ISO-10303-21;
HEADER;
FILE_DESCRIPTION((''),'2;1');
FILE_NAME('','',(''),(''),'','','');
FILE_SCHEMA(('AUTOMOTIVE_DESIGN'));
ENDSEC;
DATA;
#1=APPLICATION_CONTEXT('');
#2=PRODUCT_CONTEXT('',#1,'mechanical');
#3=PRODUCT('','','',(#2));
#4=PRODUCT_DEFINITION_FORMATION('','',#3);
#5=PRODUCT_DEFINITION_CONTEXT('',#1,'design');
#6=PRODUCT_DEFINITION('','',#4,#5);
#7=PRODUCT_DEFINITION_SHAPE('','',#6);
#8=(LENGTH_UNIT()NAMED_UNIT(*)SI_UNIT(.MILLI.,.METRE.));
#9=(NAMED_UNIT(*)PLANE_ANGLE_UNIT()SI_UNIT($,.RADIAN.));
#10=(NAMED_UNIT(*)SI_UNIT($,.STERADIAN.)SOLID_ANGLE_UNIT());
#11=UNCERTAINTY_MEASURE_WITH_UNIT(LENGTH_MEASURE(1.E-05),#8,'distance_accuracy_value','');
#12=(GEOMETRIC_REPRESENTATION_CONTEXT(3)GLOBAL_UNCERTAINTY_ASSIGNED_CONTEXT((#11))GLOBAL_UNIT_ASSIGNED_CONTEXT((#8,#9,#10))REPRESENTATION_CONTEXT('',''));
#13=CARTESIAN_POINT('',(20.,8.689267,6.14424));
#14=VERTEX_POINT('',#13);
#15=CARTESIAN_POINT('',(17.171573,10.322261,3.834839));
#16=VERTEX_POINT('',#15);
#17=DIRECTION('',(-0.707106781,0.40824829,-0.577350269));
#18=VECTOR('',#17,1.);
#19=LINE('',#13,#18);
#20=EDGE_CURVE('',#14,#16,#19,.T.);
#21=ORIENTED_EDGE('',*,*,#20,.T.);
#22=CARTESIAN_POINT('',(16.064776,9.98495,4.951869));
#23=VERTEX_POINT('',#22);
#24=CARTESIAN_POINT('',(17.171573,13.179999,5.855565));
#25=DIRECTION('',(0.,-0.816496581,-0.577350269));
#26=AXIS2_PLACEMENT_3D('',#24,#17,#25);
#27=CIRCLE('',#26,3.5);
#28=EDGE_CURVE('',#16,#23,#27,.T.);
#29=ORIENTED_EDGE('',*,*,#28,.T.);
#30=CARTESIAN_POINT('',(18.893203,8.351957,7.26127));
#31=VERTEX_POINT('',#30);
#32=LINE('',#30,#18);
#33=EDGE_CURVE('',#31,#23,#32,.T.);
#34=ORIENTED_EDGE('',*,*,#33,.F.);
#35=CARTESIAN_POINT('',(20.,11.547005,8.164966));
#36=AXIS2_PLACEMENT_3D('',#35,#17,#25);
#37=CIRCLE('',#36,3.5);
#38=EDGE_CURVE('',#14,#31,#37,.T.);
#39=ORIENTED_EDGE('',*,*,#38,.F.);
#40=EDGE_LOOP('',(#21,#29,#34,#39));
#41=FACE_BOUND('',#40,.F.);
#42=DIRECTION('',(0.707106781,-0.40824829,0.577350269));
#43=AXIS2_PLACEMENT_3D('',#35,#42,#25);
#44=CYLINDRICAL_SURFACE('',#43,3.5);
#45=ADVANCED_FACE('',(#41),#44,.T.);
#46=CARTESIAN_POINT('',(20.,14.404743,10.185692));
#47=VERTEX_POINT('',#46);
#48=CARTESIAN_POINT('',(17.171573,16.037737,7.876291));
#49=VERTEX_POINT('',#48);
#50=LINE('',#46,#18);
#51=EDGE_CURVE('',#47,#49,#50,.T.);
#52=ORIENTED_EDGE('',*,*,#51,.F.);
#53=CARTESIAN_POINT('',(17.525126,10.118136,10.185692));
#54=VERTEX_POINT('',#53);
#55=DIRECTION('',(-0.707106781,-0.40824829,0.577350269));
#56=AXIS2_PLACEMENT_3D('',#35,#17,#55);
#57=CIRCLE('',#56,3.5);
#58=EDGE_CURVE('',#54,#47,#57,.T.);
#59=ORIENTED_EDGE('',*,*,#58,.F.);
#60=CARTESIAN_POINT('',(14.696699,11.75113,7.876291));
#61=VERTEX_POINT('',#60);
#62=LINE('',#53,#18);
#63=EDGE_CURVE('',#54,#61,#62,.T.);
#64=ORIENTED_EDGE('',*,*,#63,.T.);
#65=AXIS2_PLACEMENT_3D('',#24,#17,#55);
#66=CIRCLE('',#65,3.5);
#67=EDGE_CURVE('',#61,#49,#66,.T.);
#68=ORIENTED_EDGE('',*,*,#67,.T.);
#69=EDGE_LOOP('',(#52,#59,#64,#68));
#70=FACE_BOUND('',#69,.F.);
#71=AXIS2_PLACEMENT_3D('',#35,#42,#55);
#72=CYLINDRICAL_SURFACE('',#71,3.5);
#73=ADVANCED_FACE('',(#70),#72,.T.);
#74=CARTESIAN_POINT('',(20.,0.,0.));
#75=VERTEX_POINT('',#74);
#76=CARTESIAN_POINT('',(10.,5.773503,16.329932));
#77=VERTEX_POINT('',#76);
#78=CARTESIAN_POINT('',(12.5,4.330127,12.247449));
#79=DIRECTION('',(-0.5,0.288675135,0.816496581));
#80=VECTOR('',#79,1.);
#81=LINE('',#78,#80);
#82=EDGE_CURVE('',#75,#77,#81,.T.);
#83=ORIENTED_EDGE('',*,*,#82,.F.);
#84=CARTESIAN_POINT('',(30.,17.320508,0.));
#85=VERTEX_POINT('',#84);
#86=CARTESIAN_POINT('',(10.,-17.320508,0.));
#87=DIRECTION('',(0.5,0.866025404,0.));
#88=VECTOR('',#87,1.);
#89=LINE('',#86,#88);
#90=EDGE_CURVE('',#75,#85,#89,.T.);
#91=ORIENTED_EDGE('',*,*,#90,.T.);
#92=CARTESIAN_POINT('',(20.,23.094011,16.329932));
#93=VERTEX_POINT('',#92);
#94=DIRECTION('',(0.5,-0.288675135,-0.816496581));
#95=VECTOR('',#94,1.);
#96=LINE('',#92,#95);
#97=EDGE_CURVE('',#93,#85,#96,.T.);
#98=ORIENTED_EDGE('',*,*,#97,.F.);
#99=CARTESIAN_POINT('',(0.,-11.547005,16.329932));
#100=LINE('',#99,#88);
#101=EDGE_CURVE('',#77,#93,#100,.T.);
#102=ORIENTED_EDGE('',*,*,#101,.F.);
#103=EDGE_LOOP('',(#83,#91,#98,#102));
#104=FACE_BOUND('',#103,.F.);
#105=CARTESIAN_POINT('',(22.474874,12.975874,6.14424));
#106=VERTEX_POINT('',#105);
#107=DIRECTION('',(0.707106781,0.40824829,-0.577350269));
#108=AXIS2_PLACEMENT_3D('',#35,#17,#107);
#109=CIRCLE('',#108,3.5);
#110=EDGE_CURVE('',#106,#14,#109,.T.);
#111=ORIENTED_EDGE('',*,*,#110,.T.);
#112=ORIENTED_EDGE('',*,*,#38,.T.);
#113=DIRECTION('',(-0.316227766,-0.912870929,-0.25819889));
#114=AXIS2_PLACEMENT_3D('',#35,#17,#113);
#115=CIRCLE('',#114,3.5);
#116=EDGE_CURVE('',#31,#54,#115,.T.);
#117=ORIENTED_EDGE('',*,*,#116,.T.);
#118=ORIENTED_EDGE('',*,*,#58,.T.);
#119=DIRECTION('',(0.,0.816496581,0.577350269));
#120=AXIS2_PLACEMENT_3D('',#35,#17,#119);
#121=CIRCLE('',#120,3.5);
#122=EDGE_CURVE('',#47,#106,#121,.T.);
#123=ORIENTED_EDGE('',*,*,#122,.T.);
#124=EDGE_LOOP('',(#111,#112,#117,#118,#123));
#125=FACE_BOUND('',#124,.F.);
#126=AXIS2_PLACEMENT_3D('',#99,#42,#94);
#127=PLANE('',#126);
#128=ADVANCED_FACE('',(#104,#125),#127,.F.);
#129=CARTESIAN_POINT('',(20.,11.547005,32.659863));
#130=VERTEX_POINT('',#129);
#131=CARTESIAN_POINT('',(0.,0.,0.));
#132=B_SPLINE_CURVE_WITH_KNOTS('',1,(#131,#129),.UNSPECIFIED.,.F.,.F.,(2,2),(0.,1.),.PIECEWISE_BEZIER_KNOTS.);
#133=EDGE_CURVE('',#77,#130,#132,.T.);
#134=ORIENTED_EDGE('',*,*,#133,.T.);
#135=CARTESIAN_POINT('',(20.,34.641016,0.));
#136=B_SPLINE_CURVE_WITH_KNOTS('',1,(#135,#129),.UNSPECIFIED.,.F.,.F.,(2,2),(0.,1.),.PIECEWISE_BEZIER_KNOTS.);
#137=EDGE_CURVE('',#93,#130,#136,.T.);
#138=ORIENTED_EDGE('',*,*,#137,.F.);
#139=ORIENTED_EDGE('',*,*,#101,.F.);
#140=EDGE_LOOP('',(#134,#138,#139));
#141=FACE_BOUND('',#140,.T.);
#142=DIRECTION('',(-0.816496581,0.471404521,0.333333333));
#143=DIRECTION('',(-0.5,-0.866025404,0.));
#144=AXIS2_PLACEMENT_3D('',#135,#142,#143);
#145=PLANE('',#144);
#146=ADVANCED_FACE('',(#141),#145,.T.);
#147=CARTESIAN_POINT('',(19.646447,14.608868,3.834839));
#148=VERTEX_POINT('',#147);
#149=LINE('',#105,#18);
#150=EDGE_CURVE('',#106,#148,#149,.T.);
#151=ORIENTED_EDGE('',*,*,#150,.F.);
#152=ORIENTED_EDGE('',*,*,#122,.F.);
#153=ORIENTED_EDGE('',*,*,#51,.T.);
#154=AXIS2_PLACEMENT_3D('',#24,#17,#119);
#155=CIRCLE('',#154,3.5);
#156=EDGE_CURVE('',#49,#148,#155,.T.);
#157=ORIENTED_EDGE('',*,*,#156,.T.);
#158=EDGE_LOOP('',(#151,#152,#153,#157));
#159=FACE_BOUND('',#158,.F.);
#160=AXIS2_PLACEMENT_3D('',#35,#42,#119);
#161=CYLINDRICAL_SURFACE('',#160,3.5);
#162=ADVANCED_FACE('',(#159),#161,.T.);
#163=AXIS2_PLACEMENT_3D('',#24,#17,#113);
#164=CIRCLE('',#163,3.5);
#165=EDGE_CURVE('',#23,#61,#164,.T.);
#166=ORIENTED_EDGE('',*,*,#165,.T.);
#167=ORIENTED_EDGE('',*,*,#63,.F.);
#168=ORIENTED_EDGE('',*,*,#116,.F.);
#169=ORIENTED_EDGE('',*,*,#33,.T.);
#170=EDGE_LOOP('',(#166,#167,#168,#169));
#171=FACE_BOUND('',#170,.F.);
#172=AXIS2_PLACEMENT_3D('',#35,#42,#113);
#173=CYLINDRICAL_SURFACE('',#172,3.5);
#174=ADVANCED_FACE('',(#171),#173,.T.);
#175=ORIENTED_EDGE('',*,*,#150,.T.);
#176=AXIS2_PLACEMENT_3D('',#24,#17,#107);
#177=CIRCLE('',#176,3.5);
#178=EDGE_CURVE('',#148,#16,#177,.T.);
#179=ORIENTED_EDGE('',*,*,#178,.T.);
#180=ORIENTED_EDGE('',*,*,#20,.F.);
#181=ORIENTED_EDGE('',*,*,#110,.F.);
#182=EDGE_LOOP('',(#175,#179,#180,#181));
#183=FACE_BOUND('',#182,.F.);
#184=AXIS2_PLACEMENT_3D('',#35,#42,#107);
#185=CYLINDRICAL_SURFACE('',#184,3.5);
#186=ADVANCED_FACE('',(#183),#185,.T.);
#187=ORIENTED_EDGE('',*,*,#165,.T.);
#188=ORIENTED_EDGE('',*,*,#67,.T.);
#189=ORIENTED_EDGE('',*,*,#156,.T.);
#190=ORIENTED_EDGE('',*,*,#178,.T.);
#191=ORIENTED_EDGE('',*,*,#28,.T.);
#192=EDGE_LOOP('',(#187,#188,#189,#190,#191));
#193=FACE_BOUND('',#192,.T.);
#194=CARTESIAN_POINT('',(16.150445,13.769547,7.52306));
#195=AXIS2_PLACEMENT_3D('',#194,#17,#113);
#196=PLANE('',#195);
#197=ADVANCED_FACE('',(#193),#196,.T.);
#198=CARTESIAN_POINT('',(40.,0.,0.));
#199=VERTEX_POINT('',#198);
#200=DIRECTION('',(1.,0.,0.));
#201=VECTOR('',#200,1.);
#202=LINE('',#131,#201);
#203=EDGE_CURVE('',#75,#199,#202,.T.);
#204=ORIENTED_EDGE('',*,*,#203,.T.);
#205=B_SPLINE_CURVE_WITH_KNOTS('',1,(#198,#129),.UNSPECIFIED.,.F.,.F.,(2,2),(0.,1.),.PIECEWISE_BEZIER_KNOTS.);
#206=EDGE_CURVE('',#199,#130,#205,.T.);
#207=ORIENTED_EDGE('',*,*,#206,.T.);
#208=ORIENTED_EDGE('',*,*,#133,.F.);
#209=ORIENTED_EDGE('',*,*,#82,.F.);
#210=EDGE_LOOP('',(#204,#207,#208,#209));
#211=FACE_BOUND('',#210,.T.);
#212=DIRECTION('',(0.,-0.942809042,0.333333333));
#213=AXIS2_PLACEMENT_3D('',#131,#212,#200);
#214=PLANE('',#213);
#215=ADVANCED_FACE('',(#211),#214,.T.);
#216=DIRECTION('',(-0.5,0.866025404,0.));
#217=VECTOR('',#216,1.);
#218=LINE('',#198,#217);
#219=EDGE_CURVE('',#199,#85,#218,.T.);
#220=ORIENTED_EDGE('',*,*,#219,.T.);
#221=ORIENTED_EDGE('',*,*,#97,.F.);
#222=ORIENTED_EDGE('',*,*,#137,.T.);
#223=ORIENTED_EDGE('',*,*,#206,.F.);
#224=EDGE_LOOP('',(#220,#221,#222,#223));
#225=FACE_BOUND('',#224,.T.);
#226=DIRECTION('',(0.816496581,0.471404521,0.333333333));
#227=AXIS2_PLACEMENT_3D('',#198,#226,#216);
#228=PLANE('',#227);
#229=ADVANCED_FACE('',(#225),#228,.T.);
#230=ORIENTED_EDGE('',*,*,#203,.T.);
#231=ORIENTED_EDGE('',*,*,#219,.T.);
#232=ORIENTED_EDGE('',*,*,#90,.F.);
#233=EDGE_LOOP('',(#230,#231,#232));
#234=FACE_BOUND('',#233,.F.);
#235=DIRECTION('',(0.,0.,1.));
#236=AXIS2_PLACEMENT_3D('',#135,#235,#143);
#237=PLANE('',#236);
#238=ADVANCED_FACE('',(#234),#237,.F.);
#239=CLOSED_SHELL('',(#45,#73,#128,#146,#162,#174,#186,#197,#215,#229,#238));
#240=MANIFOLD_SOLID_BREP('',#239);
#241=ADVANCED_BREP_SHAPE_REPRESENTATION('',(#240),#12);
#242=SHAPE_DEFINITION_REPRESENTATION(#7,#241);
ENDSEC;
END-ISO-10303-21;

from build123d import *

# Parameters (mm, degrees)
F7_DEPTH = 4


with BuildPart() as f3:
    # F0 (on Top) → F3 section 0
    with BuildSketch(Plane.XY, mode=Mode.PRIVATE) as f3_s0:
        Polygon((20, 34.6410161514), (0, 0), (40, 0), align=None)
    loft([f3_s0.sketch, Vertex(20, 11.5470053838, 32.6598632371)])

    # F5: sweep along a path in F5_path
    with BuildLine(Plane(origin=(0, 0, 0), x_dir=(-0.5, -0.8660254038, 0), z_dir=(0.8660254038, -0.5, 0))) as f5_path:
        Line((0, 0), (-40, 0))
    # F4 (on face) → F5 (sweep, cut)
    with BuildSketch(Plane(origin=(26.6666666667, 15.3960071784, 10.886621079), x_dir=(-0.4364357805, 0.8819171037, -0.1781741613), z_dir=(0.8164965809, 0.4714045208, 0.3333333333))):
        Polygon((2.1821789024, -11.3389341903), (21.8217890236, -7.5592894602), (8.7287156094, 7.5592894602), align=None)
    sweep(path=f5_path.line, mode=Mode.SUBTRACT)

    # F6 (on face) → F7 (join)
    with BuildSketch(Plane(origin=(10, -5.7735026919, 8.1649658093), x_dir=(-0.316227766, -0.9128709292, -0.2581988897), z_dir=(-0.7071067812, 0.4082482905, -0.5773502692))):
        with BuildLine():
            ThreePointArc((-17.4084183768, -3.1940601518), (-20.0804631421, -3.0041637772), (-22.1041611295, -4.7593077361))
            Line((-22.1041611295, -4.7593077361), (-18.973665961, -6.3245553203))
            Line((-18.973665961, -6.3245553203), (-17.4084183768, -3.1940601518))
        make_face()
        with BuildLine():
            Line((-17.4084183768, -3.1940601518), (-18.973665961, -6.3245553203))
            Line((-18.973665961, -6.3245553203), (-15.8431707925, -7.8898029046))
            ThreePointArc((-15.8431707925, -7.8898029046), (-15.5672944979, -7.1286905423), (-15.473665961, -6.3245553203))
            ThreePointArc((-15.473665961, -6.3245553203), (-15.9963881318, -4.4844964279), (-17.4084183768, -3.1940601518))
        make_face()
        with BuildLine():
            Line((-18.973665961, -6.3245553203), (-22.1041611295, -4.7593077361))
            ThreePointArc((-22.1041611295, -4.7593077361), (-22.2940575042, -7.4313525014), (-20.5389135453, -9.4550504888))
            Line((-20.5389135453, -9.4550504888), (-18.973665961, -6.3245553203))
        make_face()
        with BuildLine():
            Line((-15.8431707925, -7.8898029046), (-18.973665961, -6.3245553203))
            Line((-18.973665961, -6.3245553203), (-20.5389135453, -9.4550504888))
            ThreePointArc((-20.5389135453, -9.4550504888), (-17.86686878, -9.6449468635), (-15.8431707925, -7.8898029046))
        make_face()
    extrude(amount=F7_DEPTH)


solid = f3.part
